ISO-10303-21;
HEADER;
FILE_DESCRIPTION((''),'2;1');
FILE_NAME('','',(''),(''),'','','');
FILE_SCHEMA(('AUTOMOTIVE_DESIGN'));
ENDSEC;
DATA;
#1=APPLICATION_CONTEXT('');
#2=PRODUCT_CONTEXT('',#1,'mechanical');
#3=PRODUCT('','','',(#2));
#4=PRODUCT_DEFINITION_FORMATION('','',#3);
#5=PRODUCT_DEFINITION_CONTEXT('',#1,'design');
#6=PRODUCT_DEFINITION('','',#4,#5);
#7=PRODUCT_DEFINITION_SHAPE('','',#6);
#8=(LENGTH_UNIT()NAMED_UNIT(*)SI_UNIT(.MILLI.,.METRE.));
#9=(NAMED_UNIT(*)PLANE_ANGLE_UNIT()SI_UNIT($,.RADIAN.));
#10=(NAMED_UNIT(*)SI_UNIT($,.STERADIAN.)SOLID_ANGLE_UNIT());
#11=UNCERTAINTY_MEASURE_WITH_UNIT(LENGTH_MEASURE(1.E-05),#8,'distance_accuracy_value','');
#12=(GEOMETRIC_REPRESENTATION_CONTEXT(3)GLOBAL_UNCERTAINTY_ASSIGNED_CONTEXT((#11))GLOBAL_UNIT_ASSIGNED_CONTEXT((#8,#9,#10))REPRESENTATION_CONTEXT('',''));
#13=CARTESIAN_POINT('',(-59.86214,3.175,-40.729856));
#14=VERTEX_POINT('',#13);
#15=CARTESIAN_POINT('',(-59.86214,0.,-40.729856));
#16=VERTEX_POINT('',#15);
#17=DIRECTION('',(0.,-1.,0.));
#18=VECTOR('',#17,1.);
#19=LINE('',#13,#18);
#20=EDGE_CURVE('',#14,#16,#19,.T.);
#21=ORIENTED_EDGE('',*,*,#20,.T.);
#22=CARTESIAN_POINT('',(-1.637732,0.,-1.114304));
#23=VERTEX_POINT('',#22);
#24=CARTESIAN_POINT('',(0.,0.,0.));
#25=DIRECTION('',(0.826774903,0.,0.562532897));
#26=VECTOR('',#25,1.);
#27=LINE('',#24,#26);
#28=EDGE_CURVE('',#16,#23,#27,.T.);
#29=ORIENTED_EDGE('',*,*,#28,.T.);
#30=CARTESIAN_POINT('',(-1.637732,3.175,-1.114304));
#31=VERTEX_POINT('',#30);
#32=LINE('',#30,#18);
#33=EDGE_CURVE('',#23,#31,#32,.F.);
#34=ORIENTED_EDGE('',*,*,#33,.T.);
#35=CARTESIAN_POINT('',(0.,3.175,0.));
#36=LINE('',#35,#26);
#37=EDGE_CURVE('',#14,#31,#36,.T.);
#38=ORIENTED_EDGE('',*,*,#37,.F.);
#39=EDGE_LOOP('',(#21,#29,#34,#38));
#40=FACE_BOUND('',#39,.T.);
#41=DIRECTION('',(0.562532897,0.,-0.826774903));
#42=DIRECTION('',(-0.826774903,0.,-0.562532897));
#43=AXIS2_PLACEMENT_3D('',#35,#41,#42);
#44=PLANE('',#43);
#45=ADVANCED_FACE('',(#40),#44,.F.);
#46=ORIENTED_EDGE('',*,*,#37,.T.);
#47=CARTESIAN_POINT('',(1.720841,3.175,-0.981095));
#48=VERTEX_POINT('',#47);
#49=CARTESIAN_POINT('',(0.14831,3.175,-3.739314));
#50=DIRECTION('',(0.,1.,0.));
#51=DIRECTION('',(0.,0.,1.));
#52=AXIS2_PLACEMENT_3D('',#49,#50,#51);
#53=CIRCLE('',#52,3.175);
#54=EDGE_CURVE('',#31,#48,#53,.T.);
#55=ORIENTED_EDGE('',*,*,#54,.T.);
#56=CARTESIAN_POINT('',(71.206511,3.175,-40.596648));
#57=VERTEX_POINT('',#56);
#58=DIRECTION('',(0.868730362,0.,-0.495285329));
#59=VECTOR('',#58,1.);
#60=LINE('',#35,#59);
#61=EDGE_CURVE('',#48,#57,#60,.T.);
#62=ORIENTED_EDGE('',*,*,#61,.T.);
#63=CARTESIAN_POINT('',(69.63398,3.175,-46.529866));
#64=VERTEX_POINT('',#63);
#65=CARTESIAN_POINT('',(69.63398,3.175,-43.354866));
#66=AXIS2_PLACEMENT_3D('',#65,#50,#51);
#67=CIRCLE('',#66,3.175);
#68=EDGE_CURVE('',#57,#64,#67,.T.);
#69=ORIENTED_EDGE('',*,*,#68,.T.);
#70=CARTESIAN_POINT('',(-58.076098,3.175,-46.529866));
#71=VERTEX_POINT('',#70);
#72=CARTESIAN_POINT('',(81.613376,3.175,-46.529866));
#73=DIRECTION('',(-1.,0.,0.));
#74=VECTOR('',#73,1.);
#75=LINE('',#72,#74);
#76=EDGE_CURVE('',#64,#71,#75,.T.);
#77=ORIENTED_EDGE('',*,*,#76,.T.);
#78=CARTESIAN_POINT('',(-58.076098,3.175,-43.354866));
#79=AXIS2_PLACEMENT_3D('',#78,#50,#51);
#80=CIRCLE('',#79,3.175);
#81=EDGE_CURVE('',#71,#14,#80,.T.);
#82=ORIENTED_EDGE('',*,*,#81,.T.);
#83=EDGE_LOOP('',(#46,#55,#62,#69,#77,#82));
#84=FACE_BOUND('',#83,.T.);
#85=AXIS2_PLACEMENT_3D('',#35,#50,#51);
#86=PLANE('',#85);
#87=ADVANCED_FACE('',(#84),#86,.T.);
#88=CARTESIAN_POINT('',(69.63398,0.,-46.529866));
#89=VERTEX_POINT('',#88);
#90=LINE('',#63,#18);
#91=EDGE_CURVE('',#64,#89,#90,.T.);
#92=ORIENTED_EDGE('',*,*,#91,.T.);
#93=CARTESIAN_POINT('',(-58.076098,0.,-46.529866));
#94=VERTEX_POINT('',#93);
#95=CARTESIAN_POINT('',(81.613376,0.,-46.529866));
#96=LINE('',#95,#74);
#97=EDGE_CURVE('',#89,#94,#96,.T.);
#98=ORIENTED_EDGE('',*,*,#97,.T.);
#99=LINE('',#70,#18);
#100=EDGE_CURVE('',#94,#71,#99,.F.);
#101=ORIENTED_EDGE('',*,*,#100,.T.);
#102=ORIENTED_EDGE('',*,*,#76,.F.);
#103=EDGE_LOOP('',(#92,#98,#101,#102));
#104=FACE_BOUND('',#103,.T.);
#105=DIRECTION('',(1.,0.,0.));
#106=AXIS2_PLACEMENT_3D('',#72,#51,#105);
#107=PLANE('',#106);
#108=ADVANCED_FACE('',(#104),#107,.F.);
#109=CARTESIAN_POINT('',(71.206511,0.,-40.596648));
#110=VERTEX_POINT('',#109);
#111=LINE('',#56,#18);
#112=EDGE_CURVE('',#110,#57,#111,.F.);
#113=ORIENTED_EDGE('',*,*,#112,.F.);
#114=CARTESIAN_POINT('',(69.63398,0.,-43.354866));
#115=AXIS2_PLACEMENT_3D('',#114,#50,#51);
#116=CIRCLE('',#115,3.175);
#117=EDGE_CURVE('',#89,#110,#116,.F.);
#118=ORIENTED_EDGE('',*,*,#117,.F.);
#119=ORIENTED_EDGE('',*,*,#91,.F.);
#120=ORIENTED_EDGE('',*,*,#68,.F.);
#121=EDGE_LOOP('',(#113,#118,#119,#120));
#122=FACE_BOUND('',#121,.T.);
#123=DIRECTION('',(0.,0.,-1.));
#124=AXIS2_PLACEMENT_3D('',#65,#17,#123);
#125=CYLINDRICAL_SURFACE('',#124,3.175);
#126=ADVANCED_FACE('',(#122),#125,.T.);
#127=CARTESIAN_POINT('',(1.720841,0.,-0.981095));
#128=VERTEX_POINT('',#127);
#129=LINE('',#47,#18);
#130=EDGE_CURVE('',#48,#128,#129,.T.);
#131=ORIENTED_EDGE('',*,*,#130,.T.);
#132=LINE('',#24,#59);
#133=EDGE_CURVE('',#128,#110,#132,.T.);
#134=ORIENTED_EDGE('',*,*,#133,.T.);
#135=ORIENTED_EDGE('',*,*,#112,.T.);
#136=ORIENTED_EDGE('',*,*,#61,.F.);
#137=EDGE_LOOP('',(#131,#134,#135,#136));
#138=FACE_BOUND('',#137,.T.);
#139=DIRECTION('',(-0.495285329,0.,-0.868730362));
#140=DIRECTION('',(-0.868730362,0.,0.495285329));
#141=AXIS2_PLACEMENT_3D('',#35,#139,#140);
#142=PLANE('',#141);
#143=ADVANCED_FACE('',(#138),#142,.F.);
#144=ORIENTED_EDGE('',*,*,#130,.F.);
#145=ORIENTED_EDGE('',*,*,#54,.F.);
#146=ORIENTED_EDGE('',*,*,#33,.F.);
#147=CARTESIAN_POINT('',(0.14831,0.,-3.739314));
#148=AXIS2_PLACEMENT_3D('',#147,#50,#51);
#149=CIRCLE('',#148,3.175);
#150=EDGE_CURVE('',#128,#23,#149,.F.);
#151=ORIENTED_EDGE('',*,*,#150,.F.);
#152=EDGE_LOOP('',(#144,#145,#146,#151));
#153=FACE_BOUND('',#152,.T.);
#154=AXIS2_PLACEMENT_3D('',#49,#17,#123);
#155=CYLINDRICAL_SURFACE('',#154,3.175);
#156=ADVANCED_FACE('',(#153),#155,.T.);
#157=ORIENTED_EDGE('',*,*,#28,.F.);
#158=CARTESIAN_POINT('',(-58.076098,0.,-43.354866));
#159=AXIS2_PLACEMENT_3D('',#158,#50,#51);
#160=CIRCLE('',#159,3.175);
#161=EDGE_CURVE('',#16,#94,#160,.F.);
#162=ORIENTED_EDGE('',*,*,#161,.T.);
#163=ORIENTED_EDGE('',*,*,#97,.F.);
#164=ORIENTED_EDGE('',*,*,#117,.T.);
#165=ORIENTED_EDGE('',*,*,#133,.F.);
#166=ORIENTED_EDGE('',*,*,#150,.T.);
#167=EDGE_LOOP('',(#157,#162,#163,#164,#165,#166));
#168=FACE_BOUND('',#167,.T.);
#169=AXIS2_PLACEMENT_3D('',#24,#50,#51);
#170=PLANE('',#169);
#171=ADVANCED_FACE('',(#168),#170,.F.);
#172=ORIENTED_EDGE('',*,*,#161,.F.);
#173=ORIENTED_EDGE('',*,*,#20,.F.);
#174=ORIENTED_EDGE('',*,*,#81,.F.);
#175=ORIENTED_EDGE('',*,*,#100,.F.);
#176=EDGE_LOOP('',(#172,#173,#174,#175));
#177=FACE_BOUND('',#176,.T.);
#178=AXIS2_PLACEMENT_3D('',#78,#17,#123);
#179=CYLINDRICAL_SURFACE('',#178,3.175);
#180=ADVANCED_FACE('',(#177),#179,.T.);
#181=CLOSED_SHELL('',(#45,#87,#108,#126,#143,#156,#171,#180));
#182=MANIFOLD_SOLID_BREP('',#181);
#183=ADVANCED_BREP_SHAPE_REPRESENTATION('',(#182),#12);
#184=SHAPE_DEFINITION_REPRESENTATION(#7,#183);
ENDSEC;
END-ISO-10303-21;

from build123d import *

# Parameters (mm, degrees)
BOSS_EXTRUDE1_DEPTH = 3.175
FILLET1_R           = 3.175
SKETCH2_R           = 0.712880647
BOSS_EXTRUDE2_DEPTH = 2.54


with BuildPart() as part:
    # Sketch1 → Boss-Extrude1 (new body)
    with BuildSketch(Plane(origin=(0, 0, 0), x_dir=(1, 0, 0), z_dir=(0, 1, 0))):
        Polygon((0, 0), (-68.386624181, 46.529866421), (81.613375819, 46.529866421), align=None)
    extrude(amount=BOSS_EXTRUDE1_DEPTH)

    # Fillet1
    fillet1_edges = [part.edges().sort_by_distance(p)[0] for p in [
        (0, 1.5875, 0),
        (-68.386624181, 1.5875, -46.529866421),
        (81.613375819, 1.5875, -46.529866421),
    ]]
    fillet(fillet1_edges, radius=FILLET1_R)

    # Sketch2 → Boss-Extrude2 (add)
    with BuildSketch(Plane(origin=(0, 3.175, 0), x_dir=(1, 0, 0), z_dir=(0, 1, 0))):
        with Locations((-58.076097719, 43.354866421)):
            Circle(SKETCH2_R)
    extrude(amount=-BOSS_EXTRUDE2_DEPTH)


solid = part.part
